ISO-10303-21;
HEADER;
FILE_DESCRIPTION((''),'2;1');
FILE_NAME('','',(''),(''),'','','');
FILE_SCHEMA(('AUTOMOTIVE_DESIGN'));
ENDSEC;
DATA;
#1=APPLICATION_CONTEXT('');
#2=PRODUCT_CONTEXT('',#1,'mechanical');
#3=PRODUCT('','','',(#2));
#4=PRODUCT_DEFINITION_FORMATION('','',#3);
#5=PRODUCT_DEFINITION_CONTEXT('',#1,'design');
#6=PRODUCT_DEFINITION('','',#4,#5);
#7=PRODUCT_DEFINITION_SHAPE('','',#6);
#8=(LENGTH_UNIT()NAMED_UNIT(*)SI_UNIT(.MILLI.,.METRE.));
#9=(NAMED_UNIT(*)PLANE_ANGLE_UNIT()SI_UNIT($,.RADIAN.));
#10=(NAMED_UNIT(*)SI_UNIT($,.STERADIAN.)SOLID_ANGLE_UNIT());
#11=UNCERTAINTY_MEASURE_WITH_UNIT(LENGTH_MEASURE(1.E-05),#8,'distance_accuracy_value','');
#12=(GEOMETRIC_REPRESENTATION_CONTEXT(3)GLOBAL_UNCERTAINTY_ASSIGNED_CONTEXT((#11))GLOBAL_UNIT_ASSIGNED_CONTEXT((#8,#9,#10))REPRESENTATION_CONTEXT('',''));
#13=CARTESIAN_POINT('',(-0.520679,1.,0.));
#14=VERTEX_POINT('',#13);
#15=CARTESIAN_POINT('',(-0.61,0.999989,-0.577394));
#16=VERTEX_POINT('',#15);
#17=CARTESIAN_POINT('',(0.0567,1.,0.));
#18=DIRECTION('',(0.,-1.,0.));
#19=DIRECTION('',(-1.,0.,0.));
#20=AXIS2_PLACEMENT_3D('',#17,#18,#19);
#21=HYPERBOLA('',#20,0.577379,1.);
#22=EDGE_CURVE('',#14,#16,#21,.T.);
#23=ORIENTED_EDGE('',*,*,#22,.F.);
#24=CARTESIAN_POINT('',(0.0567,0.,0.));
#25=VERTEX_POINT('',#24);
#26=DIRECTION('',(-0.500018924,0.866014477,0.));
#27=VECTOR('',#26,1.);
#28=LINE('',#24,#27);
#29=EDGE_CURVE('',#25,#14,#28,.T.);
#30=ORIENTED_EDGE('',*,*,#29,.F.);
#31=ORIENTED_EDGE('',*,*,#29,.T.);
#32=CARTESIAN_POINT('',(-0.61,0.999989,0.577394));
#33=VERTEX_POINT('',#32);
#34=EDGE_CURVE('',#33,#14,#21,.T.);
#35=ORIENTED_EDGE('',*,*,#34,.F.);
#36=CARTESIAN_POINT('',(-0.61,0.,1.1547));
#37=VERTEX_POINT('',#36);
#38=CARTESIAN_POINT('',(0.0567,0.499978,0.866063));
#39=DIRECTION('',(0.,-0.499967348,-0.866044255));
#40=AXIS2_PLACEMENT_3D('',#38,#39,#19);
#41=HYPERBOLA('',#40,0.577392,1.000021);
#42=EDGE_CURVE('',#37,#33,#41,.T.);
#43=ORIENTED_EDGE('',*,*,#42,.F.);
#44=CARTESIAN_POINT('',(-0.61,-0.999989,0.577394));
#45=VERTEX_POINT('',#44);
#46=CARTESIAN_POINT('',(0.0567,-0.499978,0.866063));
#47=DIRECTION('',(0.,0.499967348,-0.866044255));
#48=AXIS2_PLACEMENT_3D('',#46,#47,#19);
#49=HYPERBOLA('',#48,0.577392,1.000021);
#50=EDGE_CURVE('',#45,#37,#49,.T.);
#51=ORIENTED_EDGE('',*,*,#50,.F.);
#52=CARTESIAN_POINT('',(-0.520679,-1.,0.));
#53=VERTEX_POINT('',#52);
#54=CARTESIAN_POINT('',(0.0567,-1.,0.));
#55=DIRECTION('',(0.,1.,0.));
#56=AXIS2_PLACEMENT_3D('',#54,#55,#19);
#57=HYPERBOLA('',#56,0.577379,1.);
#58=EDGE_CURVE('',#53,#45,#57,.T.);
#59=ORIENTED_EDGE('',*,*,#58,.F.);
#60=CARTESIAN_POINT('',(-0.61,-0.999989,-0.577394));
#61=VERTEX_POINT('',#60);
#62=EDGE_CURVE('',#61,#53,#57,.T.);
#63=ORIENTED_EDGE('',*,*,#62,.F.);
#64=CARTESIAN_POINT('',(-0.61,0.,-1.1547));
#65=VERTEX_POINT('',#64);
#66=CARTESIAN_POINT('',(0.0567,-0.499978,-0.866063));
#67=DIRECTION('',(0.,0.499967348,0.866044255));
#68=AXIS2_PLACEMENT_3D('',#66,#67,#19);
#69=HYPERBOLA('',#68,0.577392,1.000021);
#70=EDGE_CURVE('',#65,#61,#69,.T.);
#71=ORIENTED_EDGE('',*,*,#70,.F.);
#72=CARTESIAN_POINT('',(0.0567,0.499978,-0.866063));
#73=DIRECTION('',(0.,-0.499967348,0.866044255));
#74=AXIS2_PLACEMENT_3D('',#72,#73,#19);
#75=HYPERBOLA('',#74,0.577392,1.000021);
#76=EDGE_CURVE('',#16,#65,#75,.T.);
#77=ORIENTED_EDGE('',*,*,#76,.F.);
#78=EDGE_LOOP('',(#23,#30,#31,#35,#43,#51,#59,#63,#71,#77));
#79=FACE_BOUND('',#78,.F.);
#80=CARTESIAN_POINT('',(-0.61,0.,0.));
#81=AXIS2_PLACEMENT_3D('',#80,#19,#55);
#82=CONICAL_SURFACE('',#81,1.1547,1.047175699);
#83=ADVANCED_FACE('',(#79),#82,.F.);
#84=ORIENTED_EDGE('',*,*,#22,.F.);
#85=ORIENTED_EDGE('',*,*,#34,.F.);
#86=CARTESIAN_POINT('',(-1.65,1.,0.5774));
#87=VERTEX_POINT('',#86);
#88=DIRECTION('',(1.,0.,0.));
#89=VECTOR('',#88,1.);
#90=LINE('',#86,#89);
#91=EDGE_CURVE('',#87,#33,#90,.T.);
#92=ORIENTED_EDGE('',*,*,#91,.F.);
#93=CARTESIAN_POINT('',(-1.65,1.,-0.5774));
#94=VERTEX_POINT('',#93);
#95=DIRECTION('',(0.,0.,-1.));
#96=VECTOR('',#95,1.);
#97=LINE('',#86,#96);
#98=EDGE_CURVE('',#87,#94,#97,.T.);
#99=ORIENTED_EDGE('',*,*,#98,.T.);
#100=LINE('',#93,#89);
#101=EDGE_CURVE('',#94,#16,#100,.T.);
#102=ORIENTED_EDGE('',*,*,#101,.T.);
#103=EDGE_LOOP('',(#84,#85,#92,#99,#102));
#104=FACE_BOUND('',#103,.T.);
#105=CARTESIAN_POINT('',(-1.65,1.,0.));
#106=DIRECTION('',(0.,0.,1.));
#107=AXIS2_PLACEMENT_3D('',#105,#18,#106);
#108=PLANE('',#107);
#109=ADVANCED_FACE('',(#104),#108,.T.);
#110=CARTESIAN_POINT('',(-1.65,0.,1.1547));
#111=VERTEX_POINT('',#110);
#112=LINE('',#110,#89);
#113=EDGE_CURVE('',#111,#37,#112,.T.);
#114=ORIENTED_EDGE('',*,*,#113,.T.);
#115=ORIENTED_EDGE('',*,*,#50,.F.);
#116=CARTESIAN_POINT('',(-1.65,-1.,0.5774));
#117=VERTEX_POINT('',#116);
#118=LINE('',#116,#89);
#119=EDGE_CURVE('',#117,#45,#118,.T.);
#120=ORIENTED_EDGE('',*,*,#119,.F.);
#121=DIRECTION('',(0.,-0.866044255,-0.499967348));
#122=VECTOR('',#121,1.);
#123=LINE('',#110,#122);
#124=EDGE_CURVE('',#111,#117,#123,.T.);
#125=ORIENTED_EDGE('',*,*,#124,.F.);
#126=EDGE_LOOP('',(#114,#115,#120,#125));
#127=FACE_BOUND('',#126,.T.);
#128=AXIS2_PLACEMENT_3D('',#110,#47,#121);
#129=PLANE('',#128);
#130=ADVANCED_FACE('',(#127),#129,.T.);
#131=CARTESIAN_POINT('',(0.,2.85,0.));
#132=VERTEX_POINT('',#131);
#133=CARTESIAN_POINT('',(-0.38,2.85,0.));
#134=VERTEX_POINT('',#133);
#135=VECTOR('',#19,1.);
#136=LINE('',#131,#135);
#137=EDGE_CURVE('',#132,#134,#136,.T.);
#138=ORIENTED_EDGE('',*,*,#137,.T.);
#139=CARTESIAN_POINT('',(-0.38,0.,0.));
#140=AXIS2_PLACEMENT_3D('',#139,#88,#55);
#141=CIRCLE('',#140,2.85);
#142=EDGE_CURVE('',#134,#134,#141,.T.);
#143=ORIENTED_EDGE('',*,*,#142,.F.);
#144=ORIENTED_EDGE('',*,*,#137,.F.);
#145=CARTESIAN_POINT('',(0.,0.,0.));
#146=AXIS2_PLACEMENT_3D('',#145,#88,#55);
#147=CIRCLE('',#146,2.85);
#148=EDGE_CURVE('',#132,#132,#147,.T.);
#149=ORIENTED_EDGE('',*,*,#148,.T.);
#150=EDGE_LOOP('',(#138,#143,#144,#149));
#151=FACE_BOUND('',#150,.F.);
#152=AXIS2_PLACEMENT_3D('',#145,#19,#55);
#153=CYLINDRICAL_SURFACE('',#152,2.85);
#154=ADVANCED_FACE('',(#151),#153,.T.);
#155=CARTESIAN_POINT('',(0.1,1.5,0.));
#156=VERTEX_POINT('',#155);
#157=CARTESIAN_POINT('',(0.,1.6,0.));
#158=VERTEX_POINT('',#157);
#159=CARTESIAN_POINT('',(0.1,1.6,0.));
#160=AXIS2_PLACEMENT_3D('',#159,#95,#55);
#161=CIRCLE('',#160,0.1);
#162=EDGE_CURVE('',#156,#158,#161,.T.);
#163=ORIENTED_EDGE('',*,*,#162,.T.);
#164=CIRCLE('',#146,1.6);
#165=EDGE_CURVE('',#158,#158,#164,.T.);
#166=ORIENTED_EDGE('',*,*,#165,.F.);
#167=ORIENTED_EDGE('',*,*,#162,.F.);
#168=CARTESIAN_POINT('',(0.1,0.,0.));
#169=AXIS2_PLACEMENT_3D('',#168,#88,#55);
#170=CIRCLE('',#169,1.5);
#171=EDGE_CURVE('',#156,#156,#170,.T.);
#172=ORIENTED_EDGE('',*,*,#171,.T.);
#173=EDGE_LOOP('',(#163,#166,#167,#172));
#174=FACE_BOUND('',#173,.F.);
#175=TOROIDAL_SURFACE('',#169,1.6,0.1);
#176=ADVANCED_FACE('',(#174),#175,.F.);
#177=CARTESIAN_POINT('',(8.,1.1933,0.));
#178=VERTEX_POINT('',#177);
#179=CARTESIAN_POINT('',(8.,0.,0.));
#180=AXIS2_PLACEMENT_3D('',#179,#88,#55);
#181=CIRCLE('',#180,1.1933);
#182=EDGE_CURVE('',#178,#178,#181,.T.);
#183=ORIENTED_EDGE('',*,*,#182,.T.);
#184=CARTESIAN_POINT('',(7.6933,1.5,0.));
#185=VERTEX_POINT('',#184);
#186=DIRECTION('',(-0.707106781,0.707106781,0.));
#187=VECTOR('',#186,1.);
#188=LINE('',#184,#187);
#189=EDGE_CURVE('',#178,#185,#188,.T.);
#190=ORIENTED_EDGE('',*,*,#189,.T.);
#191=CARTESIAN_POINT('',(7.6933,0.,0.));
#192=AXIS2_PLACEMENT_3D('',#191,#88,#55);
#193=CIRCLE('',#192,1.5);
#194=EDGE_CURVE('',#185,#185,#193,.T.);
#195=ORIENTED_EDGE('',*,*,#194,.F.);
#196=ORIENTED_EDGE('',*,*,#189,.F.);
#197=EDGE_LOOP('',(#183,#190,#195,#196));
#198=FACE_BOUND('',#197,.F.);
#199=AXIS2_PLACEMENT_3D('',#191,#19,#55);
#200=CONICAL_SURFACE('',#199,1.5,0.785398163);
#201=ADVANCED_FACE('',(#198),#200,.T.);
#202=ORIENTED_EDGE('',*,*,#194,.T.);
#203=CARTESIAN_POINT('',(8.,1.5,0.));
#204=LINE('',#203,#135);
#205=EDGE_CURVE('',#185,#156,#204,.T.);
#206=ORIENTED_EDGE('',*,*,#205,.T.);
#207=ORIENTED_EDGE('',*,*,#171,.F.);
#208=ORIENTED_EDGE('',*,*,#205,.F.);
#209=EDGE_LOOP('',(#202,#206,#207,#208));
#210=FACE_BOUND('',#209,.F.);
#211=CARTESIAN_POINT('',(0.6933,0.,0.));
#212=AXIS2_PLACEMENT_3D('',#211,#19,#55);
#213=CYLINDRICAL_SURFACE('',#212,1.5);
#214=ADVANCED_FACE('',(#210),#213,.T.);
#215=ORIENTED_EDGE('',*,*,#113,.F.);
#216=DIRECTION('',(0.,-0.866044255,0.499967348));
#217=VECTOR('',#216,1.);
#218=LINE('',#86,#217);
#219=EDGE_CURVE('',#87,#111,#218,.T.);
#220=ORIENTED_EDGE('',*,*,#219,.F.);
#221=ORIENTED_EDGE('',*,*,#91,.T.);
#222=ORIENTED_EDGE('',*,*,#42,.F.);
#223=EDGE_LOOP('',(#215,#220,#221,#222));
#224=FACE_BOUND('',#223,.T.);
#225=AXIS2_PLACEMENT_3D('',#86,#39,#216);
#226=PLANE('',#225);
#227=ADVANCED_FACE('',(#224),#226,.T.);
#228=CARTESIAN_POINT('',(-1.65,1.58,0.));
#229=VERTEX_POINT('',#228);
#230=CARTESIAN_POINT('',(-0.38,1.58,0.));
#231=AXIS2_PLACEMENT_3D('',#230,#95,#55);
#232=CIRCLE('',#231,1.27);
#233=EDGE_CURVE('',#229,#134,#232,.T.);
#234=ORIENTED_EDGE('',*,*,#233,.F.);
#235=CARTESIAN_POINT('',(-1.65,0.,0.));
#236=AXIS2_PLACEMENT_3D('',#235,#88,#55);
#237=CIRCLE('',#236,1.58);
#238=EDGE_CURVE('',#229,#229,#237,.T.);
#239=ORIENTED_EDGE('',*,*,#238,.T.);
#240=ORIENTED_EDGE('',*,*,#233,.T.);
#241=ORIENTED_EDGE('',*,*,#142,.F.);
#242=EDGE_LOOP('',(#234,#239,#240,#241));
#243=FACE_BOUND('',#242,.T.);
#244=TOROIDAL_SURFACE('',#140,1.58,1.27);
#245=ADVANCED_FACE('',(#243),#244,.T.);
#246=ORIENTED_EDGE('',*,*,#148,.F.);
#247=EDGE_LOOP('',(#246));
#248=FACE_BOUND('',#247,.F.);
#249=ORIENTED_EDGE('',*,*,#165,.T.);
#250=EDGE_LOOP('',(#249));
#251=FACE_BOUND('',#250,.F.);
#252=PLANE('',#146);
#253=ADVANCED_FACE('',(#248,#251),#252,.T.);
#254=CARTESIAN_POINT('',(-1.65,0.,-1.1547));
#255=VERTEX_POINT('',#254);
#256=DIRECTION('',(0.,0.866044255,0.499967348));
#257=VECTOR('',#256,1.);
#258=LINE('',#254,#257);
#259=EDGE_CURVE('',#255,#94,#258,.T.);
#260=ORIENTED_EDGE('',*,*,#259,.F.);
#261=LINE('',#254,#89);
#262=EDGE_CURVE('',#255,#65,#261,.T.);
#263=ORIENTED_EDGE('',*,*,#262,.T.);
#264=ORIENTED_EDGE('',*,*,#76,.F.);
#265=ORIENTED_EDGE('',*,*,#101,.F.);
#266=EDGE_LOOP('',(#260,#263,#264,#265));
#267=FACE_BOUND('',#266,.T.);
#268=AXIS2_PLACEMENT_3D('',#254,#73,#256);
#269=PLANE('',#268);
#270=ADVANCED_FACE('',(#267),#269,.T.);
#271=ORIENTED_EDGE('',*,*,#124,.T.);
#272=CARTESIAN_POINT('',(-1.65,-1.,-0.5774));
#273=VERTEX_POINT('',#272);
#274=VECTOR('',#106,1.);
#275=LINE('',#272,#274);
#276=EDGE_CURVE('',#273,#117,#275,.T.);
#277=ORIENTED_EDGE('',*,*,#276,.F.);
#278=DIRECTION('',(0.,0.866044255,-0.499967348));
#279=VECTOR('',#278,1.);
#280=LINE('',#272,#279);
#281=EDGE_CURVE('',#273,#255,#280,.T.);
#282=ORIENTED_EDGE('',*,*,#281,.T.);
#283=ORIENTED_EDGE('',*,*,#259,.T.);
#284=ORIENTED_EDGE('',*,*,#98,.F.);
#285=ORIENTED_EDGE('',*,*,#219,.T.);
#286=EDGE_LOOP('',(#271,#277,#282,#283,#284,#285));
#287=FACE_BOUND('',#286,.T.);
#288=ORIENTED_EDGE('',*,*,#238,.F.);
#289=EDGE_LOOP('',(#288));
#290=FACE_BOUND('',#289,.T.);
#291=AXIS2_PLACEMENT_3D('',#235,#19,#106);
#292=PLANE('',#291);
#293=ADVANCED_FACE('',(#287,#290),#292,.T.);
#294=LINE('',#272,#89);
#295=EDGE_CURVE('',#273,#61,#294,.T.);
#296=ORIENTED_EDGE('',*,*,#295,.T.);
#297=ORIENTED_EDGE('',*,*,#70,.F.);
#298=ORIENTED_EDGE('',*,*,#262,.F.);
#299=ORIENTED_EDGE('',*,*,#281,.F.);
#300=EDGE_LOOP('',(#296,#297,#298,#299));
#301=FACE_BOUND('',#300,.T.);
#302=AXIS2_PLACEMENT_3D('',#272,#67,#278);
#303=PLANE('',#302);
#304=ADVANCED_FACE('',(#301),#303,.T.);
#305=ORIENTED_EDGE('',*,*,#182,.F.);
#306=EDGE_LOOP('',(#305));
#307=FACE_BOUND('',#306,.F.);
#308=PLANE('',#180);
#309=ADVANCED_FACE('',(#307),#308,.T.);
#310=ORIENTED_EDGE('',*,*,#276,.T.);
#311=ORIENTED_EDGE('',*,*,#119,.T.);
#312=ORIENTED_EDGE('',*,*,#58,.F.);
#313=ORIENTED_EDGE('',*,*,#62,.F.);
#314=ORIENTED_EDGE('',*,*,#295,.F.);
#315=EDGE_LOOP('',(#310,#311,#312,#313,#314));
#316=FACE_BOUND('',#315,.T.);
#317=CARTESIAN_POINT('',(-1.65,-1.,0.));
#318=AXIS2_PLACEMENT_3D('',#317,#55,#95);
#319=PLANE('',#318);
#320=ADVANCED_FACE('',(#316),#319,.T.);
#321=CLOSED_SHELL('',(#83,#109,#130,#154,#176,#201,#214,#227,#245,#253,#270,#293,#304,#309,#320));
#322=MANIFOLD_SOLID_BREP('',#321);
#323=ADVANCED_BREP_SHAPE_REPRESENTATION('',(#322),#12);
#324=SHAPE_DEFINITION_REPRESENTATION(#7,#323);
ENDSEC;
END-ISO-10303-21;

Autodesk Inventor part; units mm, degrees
ref_plane "YZ Plane" through (0, 0, 0) normal (1, 0, 0) x (0, 1, 0)
ref_plane "XZ Plane" through (0, 0, 0) normal (0, 1, 0) x (-1, 0, 0)
sketch "Sketch1" plane through (0, 0, 0) normal (0, 0, 1) x (1, 0, 0)
  line L0 (0.0567, 0) -> (8, 0)
  line L1 (8, 0) -> (8, 1.5)
  line L2 (8, 1.5) -> (1, 1.5)
  line L3 (1, 1.5) -> (0.6933, 1.5)
  line L4 (0.6933, 1.5) -> (0, 1.5)
  line L5 (0, 1.5) -> (0, 2.85)
  line L6 (0, 2.85) -> (-1.65, 2.85)
  line L7 (-1.65, 2.85) -> (-1.65, 1.1547)
  line L8 (-1.65, 1.1547) -> (-0.61, 1.1547)
  line L9 (-0.61, 1.1547) -> (0.0567, 0)
  line L10 (-3.58, 0) -> (9.93, 0) projected
  line L11 (0, -0.57) -> (0, 3.42) projected
  line L12 (1, 1.5) -> (0, 1.5) construction
  dimension "d0" = 7
  dimension "d1" = 0.3067
  dimension "d2" = 1.65
  dimension "d3" = 1.04
  dimension "d4" = 60
  dimension "d5" = 3
  dimension "d6" = 3
  dimension "d7" = 2.3094
  dimension "d8" = 5.7
  dimension "d19" = 8
revolve "Body" add sketch "Sketch1" angle 360 about axis through (0.0567, 0, 0) along (1, 0, 0) contours L9 L11 L4 L3 L2 L1 L0 | L9 L8 L7 L6 L5 L11
sketch "Sketch2" plane through (-1.65, 0, 0) normal (-1, 0, 0) x (0, 0, 1)
  circle A0 centre (0, 0) radius 1.1547 projected
  line L0 (0, -3.99) -> (0, 3.99) projected
  line L1 (-3.99, 0) -> (3.99, 0) projected
  line L2 (1.1547, 0) -> (0.5774, -1)
  line L3 (0.5774, -1) -> (-0.5774, -1)
  line L4 (-0.5774, -1) -> (-1.1547, 0)
  line L5 (-1.1547, 0) -> (-0.5774, 1)
  line L6 (-0.5774, 1) -> (0.5774, 1)
  line L7 (0.5774, 1) -> (1.1547, 0)
extrude "Slot" add sketch "Sketch2" against normal up to next contours L7 A0 | A0 L2 | L6 L0 A0 | A0 L0 L3 | L0 L6 A0 | A0 L3 L0 | L4 A0 | A0 L5
fillet "Fillet1" radius 1.27 1 edges at (-1.65, -2.85, 0)
thread "Thread" size "M3x0.5" class "4g6g" standard "ANSI Metric M Profile" length 7
chamfer "Chamfer1" distance 0.3067 distance2 0.3067 1 edges at (8, -1.5, 0) measured on face at (8, 0.5539, 0.4443)
fillet "Fillet2" radius 0.1 1 edges at (0, -1.5, 0)
ref_plane "Work Plane1" through (30, 0, 0) normal (0, -0.5, 0.866) x (1, 0, 0)
equation "\"d0\" = GEL"
equation "\"d1\" = GAL"
equation "\"d2\" = KOH"
equation "\"d3\" = INTI"
equation "\"d5\" = GD"
equation "\"d6\" = BDM"
equation "\"d7\" = 1.1547 * SW"
equation "\"d8\" = KOD"
equation "\"d19\" = NLG"
equation "\"d16\" = RR"
equation "\"d12\" = GEL"
equation "\"d14\" = -0.5 * SPD + 0.5 * GD"
equation "\"d15\" = GUL"
equation "\"d29\" = R"
equation "\"GD\" = NND"
equation "\"NLG\" = 8"
equation "\"GEL\" = 7"
equation "\"KOD\" = 5.7"
equation "\"KOH\" = 1.65"
equation "\"INTI\" = 1.04"
equation "\"GAL\" = 0.61345 * PTC"
equation "\"GUL\" = 0.61345 * PTC"
equation "\"BDM\" = NND"
equation "\"SW\" = 2"
equation "\"RR\" = 1.27"
equation "\"SPD\" = 2.38655"
equation "\"d28\" = R"
equation "\"R\" = 0.1"
equation "\"TOA\" = 30deg"
equation "\"THREADDIA\" = 3"
equation "\"KOD1\" = KOD - 2 * RR"
equation "\"PTC\" = 0.5"
equation "\"NND\" = 3"
equation "\"E0\" = 1.155 * SW"
equation "\"GD1\" = THREADDIA - 1.2269 * PTC"
properties part number "ANSI B18.3.4M - M3 x 0.5 x 8, FHSBHCSM" material "Steel, Mild"
